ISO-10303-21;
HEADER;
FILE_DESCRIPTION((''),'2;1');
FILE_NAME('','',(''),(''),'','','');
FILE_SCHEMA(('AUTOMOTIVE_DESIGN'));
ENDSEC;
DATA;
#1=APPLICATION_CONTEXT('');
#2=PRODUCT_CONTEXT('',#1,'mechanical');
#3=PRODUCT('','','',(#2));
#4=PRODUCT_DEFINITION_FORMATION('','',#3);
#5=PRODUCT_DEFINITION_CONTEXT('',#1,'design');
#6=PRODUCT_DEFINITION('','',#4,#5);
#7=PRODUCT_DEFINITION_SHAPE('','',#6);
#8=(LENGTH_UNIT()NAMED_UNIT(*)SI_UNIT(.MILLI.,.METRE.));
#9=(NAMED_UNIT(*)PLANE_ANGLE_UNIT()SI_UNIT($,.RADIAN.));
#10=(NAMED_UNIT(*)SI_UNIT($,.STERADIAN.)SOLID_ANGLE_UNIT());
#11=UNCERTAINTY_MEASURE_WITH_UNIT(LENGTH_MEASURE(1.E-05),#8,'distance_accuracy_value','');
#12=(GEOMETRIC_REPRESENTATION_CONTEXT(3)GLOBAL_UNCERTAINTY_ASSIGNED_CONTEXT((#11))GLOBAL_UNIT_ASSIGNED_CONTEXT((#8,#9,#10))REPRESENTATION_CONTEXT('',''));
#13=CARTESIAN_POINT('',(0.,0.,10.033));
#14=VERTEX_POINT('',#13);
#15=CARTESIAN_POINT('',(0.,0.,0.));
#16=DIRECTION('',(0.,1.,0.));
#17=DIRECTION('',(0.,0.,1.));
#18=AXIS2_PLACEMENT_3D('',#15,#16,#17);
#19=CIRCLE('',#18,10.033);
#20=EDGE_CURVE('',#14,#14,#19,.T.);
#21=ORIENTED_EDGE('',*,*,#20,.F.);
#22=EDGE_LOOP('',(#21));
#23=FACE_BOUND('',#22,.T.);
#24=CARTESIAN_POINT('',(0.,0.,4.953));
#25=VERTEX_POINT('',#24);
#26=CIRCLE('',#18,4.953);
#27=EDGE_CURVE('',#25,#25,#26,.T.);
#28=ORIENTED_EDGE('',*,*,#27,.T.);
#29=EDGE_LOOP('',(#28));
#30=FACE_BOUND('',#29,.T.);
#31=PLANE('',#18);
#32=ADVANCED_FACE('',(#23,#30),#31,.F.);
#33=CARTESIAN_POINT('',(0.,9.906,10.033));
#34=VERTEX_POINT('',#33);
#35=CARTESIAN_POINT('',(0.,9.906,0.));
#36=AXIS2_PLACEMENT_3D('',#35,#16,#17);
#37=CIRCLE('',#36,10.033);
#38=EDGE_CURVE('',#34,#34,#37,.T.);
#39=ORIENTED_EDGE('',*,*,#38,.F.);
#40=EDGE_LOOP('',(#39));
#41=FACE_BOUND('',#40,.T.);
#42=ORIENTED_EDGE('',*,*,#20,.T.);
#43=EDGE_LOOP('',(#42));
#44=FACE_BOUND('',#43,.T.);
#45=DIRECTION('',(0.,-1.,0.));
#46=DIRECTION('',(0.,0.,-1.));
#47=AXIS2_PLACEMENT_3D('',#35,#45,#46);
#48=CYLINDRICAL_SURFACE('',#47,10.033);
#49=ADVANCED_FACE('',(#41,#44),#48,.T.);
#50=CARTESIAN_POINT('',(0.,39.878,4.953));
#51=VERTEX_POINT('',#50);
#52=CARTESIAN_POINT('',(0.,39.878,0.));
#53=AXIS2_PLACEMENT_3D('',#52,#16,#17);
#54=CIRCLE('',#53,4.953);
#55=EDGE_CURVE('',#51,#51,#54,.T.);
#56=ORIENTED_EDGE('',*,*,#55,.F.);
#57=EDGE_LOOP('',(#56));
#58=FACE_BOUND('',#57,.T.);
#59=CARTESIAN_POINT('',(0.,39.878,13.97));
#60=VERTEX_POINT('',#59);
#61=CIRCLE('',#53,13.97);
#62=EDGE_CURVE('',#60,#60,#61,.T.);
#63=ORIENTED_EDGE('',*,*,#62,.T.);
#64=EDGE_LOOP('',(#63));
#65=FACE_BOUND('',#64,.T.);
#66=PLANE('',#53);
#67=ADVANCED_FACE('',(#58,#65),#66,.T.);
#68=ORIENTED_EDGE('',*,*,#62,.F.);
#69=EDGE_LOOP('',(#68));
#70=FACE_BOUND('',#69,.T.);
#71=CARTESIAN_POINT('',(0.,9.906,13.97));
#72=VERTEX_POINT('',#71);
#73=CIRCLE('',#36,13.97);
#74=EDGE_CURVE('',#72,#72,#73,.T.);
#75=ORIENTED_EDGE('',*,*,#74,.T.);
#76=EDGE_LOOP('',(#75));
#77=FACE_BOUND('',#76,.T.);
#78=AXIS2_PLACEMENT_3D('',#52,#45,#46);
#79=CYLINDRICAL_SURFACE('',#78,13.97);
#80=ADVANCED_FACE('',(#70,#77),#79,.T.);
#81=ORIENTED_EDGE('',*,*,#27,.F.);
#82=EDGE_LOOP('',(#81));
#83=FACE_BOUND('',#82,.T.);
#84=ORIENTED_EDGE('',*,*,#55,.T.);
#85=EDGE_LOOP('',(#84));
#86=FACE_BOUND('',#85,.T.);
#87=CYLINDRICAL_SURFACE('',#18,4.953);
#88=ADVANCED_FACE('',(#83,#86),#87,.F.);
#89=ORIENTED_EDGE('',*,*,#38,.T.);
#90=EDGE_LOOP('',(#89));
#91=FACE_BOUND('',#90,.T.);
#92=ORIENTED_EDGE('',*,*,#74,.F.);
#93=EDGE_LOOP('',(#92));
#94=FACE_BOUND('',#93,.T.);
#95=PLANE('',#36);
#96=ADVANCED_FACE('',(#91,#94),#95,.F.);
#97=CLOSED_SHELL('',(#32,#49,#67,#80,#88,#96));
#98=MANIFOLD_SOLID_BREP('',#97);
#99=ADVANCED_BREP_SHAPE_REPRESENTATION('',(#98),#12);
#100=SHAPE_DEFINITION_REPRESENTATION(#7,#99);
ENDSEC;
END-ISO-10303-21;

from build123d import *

# Parameters (mm, degrees)
SKETCH1_R           = 10.033
BOSS_EXTRUDE1_DEPTH = 9.906
SKETCH2_R           = 13.97
BOSS_EXTRUDE2_DEPTH = 29.972
SKETCH3_R           = 4.953
CUT_EXTRUDE1_DEPTH  = 45.503670455


with BuildPart() as part:
    # Sketch1 → Boss-Extrude1 (new body)
    with BuildSketch(Plane(origin=(0, 0, 0), x_dir=(1, 0, 0), z_dir=(0, 1, 0))):
        with Locations(Location((0, 0, 0), (0, 0, 270))):
            Circle(SKETCH1_R)
    extrude(amount=BOSS_EXTRUDE1_DEPTH)

    # Sketch2 → Boss-Extrude2 (add)
    with BuildSketch(Plane(origin=(0, 9.906, 0), x_dir=(1, 0, 0), z_dir=(0, 1, 0))):
        with Locations(Location((0, 0, 0), (0, 0, 270))):
            Circle(SKETCH2_R)
    extrude(amount=BOSS_EXTRUDE2_DEPTH)

    # Sketch3 → Cut-Extrude1 (cut, through all)
    with BuildSketch(Plane(origin=(0, 39.878, 0), x_dir=(1, 0, 0), z_dir=(0, 1, 0))):
        with Locations(Location((0, 0, 0), (0, 0, 270))):
            Circle(SKETCH3_R)
    extrude(amount=-CUT_EXTRUDE1_DEPTH, mode=Mode.SUBTRACT)


solid = part.part
